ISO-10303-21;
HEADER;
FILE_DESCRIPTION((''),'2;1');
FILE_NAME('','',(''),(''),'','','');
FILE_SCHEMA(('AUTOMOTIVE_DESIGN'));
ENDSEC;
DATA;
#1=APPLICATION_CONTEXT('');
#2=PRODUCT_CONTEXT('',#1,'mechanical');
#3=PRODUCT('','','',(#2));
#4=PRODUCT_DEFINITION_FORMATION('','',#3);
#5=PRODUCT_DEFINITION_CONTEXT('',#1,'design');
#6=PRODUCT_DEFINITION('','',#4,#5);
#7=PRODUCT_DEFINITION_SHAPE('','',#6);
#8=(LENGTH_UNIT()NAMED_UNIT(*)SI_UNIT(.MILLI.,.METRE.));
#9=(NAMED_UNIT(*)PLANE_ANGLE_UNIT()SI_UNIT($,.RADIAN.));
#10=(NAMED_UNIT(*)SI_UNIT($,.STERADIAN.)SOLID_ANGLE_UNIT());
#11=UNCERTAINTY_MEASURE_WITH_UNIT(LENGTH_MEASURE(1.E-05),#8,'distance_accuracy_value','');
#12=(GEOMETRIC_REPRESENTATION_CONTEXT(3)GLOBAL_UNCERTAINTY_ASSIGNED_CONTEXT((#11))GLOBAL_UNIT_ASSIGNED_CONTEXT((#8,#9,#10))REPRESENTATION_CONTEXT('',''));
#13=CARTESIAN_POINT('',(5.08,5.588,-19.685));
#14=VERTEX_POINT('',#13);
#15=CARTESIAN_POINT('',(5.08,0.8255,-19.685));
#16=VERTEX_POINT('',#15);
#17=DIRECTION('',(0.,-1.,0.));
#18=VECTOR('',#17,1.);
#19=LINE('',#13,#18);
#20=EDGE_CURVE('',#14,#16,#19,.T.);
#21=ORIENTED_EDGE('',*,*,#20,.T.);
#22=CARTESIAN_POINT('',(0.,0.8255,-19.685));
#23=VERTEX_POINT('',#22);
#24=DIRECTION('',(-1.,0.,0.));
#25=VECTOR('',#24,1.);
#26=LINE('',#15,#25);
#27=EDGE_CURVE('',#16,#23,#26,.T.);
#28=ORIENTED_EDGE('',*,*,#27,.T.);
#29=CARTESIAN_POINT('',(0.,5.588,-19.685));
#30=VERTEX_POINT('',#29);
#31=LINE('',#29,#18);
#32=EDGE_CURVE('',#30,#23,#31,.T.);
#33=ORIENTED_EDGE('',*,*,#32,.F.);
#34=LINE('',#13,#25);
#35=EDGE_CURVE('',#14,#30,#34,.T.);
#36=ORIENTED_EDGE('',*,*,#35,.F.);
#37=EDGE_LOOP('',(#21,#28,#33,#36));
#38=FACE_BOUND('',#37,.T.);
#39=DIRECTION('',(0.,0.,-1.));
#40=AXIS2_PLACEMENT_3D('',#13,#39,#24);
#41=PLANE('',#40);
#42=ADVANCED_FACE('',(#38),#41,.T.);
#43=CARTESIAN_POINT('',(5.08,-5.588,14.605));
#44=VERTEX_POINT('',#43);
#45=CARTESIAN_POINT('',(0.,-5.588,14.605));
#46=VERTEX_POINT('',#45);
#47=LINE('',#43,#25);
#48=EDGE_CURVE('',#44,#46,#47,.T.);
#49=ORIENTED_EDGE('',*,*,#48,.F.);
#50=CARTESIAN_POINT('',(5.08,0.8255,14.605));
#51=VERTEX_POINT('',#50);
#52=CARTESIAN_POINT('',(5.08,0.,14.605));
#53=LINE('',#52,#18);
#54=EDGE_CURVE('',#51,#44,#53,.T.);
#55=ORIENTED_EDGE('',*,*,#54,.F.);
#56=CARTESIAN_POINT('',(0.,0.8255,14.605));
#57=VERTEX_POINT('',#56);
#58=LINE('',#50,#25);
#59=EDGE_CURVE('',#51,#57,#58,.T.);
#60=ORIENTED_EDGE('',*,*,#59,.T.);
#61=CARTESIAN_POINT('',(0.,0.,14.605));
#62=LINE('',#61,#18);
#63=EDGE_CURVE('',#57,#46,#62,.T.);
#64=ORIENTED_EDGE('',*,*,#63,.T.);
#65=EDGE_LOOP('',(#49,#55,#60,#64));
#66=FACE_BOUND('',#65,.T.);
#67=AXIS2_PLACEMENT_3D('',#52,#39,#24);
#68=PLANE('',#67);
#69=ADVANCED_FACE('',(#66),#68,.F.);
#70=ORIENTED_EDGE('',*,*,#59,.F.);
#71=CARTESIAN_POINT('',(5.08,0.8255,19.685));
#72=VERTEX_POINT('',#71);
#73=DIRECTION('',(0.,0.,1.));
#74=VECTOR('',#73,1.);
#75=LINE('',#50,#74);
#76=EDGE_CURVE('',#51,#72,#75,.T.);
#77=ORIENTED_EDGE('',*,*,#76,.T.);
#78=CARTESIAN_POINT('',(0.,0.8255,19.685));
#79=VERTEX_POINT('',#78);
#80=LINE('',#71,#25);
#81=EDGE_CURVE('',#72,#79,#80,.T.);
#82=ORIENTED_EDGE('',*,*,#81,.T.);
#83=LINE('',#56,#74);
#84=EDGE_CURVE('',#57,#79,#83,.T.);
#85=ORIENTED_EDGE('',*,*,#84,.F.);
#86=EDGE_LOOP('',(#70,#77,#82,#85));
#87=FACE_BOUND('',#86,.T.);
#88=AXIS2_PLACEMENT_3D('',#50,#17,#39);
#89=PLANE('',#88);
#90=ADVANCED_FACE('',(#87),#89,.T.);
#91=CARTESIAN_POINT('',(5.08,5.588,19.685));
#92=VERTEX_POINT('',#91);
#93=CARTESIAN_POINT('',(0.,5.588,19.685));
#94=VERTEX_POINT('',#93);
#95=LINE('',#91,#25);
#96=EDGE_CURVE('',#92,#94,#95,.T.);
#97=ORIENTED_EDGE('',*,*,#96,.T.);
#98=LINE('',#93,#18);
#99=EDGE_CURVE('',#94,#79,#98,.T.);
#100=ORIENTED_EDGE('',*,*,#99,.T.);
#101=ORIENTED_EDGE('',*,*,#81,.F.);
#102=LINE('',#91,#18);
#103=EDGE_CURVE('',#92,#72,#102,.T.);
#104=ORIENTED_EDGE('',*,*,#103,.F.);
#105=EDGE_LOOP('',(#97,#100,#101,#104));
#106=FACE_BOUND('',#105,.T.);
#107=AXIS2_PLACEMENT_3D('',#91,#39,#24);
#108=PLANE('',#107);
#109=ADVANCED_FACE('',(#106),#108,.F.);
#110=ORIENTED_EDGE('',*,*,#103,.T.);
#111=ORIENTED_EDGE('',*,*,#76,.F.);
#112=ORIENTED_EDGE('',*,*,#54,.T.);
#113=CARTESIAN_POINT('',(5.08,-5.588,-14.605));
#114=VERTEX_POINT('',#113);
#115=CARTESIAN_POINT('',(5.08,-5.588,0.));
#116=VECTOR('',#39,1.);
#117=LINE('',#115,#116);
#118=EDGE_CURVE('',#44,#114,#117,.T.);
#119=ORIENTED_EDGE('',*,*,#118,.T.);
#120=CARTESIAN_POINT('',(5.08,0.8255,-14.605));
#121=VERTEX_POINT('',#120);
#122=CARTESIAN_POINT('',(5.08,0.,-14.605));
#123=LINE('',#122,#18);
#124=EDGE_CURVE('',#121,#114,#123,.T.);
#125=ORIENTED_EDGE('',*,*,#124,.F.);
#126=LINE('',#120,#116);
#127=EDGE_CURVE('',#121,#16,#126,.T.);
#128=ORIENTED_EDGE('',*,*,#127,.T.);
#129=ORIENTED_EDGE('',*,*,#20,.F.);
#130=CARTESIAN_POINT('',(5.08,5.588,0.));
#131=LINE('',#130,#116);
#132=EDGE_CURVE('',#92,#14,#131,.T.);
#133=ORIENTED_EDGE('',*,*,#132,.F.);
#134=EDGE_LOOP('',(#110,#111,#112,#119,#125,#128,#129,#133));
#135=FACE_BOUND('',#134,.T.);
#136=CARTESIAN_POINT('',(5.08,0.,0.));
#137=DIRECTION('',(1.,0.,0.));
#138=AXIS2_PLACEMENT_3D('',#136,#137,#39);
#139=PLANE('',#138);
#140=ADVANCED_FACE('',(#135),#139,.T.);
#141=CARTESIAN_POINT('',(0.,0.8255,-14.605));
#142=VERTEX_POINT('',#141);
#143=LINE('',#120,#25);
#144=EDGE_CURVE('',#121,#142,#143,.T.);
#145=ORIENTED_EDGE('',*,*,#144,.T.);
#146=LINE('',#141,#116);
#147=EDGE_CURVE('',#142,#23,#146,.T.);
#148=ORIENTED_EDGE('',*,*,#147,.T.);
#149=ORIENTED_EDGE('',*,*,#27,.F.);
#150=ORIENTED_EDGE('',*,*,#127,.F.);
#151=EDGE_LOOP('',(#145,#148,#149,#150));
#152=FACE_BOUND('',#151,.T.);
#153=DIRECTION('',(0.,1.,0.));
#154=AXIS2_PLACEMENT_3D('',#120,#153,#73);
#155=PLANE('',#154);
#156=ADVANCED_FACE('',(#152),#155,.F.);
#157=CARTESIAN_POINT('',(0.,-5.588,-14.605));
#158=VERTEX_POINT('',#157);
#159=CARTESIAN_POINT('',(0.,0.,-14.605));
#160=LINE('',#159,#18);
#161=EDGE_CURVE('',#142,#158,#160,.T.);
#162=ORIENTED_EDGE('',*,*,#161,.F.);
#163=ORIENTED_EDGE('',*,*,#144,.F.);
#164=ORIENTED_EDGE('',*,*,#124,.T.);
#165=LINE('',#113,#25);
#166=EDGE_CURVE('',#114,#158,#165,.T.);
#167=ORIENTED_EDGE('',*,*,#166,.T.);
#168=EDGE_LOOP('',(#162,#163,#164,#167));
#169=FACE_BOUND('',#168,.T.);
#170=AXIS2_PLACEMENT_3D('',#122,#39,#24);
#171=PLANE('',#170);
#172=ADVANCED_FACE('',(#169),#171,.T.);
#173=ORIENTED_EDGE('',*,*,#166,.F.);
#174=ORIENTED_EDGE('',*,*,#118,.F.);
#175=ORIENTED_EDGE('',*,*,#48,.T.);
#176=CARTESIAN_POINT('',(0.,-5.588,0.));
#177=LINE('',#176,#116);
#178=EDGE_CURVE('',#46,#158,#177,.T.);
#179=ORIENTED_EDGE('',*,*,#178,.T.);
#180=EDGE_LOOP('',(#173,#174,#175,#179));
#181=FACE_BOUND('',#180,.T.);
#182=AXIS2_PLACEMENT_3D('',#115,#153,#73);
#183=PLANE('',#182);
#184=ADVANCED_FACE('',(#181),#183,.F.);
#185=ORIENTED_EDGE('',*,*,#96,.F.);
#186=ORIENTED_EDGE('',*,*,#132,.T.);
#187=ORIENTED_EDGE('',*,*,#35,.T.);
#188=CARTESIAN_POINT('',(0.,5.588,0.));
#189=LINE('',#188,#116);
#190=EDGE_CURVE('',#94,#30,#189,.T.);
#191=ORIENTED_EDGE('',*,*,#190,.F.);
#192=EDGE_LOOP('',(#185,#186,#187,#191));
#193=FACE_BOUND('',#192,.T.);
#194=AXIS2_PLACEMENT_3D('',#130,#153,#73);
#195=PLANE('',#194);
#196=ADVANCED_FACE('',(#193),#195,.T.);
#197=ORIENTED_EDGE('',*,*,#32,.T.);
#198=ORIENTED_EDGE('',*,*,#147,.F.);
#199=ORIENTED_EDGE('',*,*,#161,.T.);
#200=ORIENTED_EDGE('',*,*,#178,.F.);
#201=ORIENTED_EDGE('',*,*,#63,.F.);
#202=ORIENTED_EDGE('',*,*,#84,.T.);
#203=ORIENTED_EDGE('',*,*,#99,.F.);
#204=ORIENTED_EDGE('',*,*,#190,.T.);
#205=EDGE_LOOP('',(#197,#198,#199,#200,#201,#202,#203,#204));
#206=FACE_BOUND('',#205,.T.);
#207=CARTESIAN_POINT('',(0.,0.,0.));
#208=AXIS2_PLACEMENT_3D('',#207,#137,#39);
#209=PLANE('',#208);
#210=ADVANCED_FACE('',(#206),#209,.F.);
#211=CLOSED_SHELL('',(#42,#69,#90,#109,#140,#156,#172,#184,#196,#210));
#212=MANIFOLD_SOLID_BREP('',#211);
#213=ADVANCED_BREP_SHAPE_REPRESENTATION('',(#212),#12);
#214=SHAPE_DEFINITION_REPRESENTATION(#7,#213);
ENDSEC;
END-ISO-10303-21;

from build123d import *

# Parameters (mm, degrees)
SKETCH1_W           = 29.21
SKETCH1_H           = 11.176
SKETCH1_W_2         = 5.08
SKETCH1_H_2         = 4.7625
BOSS_EXTRUDE1_DEPTH = 5.08


with BuildPart() as part:
    # Sketch1 → Boss-Extrude1 (new body)
    with BuildSketch(Plane(origin=(0, 0, 0), x_dir=(0, 0, -1), z_dir=(1, 0, 0))):
        Rectangle(SKETCH1_W, SKETCH1_H)
        Polygon((-14.605, 0.8255), (-14.605, -5.588), (14.605, -5.588), (14.605, 0.8255), (14.605, 5.588), (-14.605, 5.588), align=None)
        with Locations((-17.145, 3.20675)):
            Rectangle(SKETCH1_W_2, SKETCH1_H_2)
        with Locations((17.145, 3.20675)):
            Rectangle(SKETCH1_W_2, SKETCH1_H_2)
    extrude(amount=BOSS_EXTRUDE1_DEPTH)


solid = part.part
